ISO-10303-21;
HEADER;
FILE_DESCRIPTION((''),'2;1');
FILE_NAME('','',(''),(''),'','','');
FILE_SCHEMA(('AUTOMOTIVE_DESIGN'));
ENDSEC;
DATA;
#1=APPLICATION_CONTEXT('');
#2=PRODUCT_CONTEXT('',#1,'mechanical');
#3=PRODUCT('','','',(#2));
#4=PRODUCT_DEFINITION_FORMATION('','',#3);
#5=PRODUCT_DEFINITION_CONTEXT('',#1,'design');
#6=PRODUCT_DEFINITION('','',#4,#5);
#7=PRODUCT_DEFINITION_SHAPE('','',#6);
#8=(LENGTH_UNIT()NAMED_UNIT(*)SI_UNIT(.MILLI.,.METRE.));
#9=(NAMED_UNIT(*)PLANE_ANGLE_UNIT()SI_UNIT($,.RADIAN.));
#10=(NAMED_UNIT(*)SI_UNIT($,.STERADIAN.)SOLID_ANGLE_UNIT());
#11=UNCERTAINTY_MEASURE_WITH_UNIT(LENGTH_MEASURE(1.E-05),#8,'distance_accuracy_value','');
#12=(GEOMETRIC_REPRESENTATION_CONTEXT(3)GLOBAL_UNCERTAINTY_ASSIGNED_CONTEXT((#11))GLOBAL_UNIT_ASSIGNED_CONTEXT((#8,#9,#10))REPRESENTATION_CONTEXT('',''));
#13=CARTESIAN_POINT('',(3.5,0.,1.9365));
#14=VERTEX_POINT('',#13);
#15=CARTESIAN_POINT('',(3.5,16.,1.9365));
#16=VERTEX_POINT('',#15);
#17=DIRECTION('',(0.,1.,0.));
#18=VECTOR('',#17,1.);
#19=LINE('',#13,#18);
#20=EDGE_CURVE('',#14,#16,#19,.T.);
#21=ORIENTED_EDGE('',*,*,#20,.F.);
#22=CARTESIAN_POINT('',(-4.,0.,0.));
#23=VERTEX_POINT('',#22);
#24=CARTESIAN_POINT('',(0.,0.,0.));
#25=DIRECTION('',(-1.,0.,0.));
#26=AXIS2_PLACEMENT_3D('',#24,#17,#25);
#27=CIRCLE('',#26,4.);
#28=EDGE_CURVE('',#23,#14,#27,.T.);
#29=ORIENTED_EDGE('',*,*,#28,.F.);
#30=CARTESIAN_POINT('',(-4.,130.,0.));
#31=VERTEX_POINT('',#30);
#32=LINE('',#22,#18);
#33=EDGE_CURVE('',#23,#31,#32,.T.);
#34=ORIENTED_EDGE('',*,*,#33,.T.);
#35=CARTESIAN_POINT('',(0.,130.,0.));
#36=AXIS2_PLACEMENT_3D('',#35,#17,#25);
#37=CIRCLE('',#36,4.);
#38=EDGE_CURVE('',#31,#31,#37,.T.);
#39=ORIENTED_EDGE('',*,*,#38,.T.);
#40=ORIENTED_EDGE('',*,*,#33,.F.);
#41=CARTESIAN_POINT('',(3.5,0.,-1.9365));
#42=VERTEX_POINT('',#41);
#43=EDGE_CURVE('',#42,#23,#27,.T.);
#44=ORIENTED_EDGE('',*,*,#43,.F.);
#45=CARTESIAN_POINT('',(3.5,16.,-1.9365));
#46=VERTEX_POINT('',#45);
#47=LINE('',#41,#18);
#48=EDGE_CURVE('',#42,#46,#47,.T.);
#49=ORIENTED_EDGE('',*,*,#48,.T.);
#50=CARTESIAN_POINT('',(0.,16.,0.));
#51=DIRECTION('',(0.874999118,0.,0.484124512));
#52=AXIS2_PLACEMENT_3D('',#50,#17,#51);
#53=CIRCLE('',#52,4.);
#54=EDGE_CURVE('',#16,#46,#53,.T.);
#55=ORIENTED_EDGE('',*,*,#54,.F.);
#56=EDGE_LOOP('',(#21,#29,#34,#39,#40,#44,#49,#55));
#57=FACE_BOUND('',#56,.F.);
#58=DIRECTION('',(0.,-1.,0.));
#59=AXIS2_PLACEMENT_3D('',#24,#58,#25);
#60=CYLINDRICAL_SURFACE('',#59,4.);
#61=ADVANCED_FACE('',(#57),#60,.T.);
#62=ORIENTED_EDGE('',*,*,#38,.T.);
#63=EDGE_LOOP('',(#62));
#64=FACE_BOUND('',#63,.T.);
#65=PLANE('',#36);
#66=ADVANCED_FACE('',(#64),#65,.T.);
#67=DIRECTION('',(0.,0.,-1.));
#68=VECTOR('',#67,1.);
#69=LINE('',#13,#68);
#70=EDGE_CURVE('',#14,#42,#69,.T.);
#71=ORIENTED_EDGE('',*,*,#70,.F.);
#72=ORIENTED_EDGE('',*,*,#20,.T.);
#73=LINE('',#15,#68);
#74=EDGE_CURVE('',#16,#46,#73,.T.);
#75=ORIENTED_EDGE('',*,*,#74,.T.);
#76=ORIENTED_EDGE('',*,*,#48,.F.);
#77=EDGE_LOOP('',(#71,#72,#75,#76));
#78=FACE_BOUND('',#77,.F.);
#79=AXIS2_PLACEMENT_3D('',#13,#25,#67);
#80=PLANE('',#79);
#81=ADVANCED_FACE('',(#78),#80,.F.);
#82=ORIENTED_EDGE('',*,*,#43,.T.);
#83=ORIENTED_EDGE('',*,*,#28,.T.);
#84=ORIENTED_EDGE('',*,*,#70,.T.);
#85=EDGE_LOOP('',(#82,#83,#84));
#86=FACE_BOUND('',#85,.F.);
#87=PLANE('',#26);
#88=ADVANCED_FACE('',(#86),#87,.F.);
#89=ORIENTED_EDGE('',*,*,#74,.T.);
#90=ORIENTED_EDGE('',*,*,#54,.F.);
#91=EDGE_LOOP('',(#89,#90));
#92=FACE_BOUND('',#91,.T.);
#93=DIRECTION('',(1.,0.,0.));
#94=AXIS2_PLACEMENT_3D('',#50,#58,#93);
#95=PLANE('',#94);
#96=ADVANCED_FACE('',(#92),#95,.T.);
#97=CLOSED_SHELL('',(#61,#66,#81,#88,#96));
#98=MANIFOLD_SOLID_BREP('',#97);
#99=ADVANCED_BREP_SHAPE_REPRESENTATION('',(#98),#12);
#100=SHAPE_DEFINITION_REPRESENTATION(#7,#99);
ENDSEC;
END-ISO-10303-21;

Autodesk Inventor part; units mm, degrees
ref_plane "YZ Plane" through (0, 0, 0) normal (1, 0, 0) x (0, 1, 0)
ref_plane "XZ Plane" through (0, 0, 0) normal (0, 1, 0) x (-1, 0, 0)
ref_plane "XY Plane" through (0, 0, 0) normal (0, 0, 1) x (1, 0, 0)
sketch "Szkic1" plane through (0, 0, 0) normal (0, 1, 0) x (-1, 0, 0)
  circle A0 centre (0, 0) radius 4
  dimension "d2" = 8
extrude "Wyciągnięcie proste1" add sketch "Szkic1" along normal blind 130
sketch "Szkic3" plane through (0, 0, 0) normal (0, -1, 0) x (1, 0, 0)
  circle A0 centre (0, 0) radius 4 projected
  line L0 (4, 1.9365) -> (3.5, 1.9365)
  line L1 (3.5, 1.9365) -> (3.5, -1.9365)
  line L2 (3.5, -1.9365) -> (4, -1.9365)
  line L3 (4, -1.9365) -> (4, 1.9365)
  dimension "d6" = 0.5
extrude "Wyciągnięcie proste3" cut sketch "Szkic3" against normal blind 16 contours A0 L1 | L3 L2 A0 | A0 L0 L3 picked at (3.5917, -0.4408)
equation "\"d2\" = shaft_d"
equation "\"d0\" = shaft_h"
equation "\"d6\" = shaft_D_size"
equation "\"d7\" = shaft_D_h"
equation "\"stator_r_out\" = 30.15"
equation "\"stator_out_d\" = 3.2"
equation "\"stator_h\" = 45"
equation "\"mag_size_x\" = 7"
equation "\"mag_size_y\" = 3"
equation "\"mag_corner_r\" = 0.4"
equation "\"magnet_ring_r\" = 26.95"
equation "\"magnet_ring_d\" = 3.3"
equation "\"magnet_ring_h\" = 36"
equation "\"magnet_ring_pocket_mag_size_x\" = 7.1"
equation "\"magnet_ring_pocket_mag_size_y\" = 3.1"
equation "\"magnet_ring_pocket_mag_size_z\" = 10.1"
equation "\"magnet_ring_pocket_radial_cut\" = 1.4"
equation "\"casing_d\" = 3"
equation "\"casing_r_in\" = 30.15"
equation "\"rotor_out_r\" = 22.5"
equation "\"rotor_coil_groove_in_r\" = 17"
equation "\"rotor_coil_groove_ang\" = 18deg"
equation "\"rotor_core_r\" = 14.97"
equation "\"rotor_coil_groove_in_correction_r\" = 18"
equation "\"rotor_plastic_h\" = 32"
equation "\"rotor_teeth_d\" = 1.5"
equation "\"shaft_d\" = 8"
equation "\"shaft_h\" = 130"
equation "\"insert25m_d\" = 2.9"
equation "\"insert25m_corner\" = 0.5"
equation "\"insert25m_h\" = 7"
equation "\"rotor_plastic_insert_r\" = 37"
equation "\"shaft_lock_1_d\" = 8.1"
equation "\"shaf_lock_1_D\" = 32"
equation "\"shaft_lock_1_D\" = 44"
equation "\"shaft_lock_1_h1\" = 3.5"
equation "\"shaft_lock_1_insert_part_h\" = 8"
equation "\"shaft_lock_1_corner\" = 2"
equation "\"shaft_lock_1_insert_part_a\" = 18"
equation "\"shaft_lock_2_h1\" = 3.5"
equation "\"shaft_lock_2_d\" = 8.1"
equation "\"shaft_lock_2_insert_part_a\" = 18"
equation "\"shaft_lock_2_D\" = 44"
equation "\"shaft_lock_2_corner\" = 2"
equation "\"shaft_lock_2_insert_part_h\" = 7"
equation "\"shaft_lock_2_rotor_insert_grove_d_in\" = 36"
equation "\"shaft_lock_2_rotor_insert_grove_width_out\" = 5.5"
equation "\"shaft_lock_2_rotor_insert_grove_width_in\" = 7.6"
equation "\"shaft_lock_2_rotor_insert_r\" = 37"
equation "\"shaft_lock_2_rotor_insert_screw_d\" = 2.6"
equation "\"insert25m_pocket_d\" = 2.6"
equation "\"insert25m_pocket_D\" = 4.5"
equation "\"insert25m_pocket_nut_h\" = 1.5"
equation "\"insert_m2_pocket_d\" = 2.6"
equation "\"insert_m2_h\" = 7"
equation "\"insert_m2_d\" = 2.9"
equation "\"insert_m2_corner\" = 0.5"
equation "\"insert_m2_pocket_D\" = 4.5"
equation "\"insert_m2_pocket_nut_h\" = 1.5"
equation "\"shaft_lock_1_insert_part_corner\" = 6"
equation "\"shaft_lock_1_insert_part_pos\" = 4"
equation "\"shaft_lock_1_rotor_insert_grove_width_in\" = 7.6"
equation "\"shaft_lock_1_rotor_insert_r\" = 37"
equation "\"shaft_lock_1_rotor_insert_grove_d_in\" = 36"
equation "\"shaft_lock_1_rotor_insert_grove_width_out\" = 5.5"
equation "\"shaft_lock_1_shaft_insert_axial_cut_out_width\" = 12"
equation "\"shaft_lock_1_shaft_insert_axial_cut_in_width\" = 5.4"
equation "\"shaft_lock_1_shaft_insert_corner\" = 2"
equation "\"shaft_lock_1_shaft_insert_corner_finish\" = 0.5"
equation "\"shaft_lock_1_shaft_insert_pos\" = 2.5"
equation "\"shaft_lock_2_shaft_insert_corner\" = 2"
equation "\"shaft_lock_2_shaft_insert_pos\" = 2.5"
equation "\"shaft_lock_2_shaft_insert_axial_cut_in_width\" = 5.4"
equation "\"shaft_lock_2_shaft_insert_axial_cut_out_width\" = 12"
equation "\"shaft_lock_2_shaft_insert_corner_finish\" = 0.5"
equation "\"commutator_plate_D\" = 22"
equation "\"commutator_plastic_d\" = 1"
equation "\"commutator_plastic_h\" = 17"
equation "\"commutator_plate_ang\" = 55deg"
equation "\"commutator_plate_d\" = 1"
equation "\"commutator_plate_h\" = 17"
equation "\"commutator_plastic_shaft_d\" = 8.1"
equation "\"commutator_plastic_insert_cut_deepness\" = 0.5"
equation "\"commutator_plastic_insert_cut_length\" = 6"
equation "\"commutator_plastic_insert_pos\" = 3"
equation "\"commutator_plate_insert_pos\" = 3"
equation "\"casing_lock_hole_r\" = 14.25"
equation "\"casing_lock_h\" = 8"
equation "\"casing_stator_fix_r\" = 23"
equation "\"casing_stator_fix_h\" = 6"
equation "\"magnet_ring_insert_part_lengthen\" = 8"
equation "\"casing_sidebar_length\" = 3"
equation "\"casing_vent_hole_length\" = 4"
equation "\"casing_vent_hole_width\" = 6"
equation "\"sleeve_cup_r\" = 22"
equation "\"sleeve_cup_h\" = 4.5"
equation "\"sleeve_h\" = 7"
equation "\"sleeve_d\" = 3"
equation "\"sleeve_in_r\" = 11.1"
equation "\"casing_head_insert_r\" = 19"
equation "\"sleeve_head_insert_r\" = 19"
equation "\"magnet_ring_insert_part_radius_cut\" = 0.17"
equation "\"magnet_ring_insert_part_axial_flat_cut\" = 0.17"
equation "\"magnet_ring_insert_pos\" = 4"
equation "\"casing_radial_stator_insert_pos\" = 18.1"
equation "\"stator_radial_screw_d\" = 4"
equation "\"stator_radial_screw_pos\" = 4"
equation "\"rotor_sleeve_out_D\" = 10.5"
equation "\"rotor_sleeve_in_D\" = 8.15"
equation "\"rotor_sleeve_h\" = 32"
equation "\"carbon_brush_batt_h\" = 8"
equation "\"carbon_brush_batt_d\" = 4"
equation "\"brush_cart_outer_holder_width\" = 5.5"
equation "\"brush_cart_outer_holder_arc_r\" = 33.15"
equation "\"brush_cart_outer_holder_arc_pos\" = 1.5"
equation "\"casing_cart_hole_corner\" = 1"
equation "\"casing_cart_hole_width\" = 2.6"
equation "\"casing_cart_hole_ang\" = 90deg"
equation "\"brush_holder_batt_arc_r\" = 30.15"
equation "\"brush_holder_batt_width\" = 16"
equation "\"brush_holder_batt_insert_flat_depth\" = 6"
equation "\"brush_holder_batt_insert_flat_length\" = 6"
equation "\"brush_holder_batt_insert_flat_length_1\" = 2"
equation "\"brush_holder_batt_insert_flat_width\" = 2"
equation "\"shaft_D_size\" = 0.5"
equation "\"shaft_D_h\" = 16"
properties part number "shaft"
